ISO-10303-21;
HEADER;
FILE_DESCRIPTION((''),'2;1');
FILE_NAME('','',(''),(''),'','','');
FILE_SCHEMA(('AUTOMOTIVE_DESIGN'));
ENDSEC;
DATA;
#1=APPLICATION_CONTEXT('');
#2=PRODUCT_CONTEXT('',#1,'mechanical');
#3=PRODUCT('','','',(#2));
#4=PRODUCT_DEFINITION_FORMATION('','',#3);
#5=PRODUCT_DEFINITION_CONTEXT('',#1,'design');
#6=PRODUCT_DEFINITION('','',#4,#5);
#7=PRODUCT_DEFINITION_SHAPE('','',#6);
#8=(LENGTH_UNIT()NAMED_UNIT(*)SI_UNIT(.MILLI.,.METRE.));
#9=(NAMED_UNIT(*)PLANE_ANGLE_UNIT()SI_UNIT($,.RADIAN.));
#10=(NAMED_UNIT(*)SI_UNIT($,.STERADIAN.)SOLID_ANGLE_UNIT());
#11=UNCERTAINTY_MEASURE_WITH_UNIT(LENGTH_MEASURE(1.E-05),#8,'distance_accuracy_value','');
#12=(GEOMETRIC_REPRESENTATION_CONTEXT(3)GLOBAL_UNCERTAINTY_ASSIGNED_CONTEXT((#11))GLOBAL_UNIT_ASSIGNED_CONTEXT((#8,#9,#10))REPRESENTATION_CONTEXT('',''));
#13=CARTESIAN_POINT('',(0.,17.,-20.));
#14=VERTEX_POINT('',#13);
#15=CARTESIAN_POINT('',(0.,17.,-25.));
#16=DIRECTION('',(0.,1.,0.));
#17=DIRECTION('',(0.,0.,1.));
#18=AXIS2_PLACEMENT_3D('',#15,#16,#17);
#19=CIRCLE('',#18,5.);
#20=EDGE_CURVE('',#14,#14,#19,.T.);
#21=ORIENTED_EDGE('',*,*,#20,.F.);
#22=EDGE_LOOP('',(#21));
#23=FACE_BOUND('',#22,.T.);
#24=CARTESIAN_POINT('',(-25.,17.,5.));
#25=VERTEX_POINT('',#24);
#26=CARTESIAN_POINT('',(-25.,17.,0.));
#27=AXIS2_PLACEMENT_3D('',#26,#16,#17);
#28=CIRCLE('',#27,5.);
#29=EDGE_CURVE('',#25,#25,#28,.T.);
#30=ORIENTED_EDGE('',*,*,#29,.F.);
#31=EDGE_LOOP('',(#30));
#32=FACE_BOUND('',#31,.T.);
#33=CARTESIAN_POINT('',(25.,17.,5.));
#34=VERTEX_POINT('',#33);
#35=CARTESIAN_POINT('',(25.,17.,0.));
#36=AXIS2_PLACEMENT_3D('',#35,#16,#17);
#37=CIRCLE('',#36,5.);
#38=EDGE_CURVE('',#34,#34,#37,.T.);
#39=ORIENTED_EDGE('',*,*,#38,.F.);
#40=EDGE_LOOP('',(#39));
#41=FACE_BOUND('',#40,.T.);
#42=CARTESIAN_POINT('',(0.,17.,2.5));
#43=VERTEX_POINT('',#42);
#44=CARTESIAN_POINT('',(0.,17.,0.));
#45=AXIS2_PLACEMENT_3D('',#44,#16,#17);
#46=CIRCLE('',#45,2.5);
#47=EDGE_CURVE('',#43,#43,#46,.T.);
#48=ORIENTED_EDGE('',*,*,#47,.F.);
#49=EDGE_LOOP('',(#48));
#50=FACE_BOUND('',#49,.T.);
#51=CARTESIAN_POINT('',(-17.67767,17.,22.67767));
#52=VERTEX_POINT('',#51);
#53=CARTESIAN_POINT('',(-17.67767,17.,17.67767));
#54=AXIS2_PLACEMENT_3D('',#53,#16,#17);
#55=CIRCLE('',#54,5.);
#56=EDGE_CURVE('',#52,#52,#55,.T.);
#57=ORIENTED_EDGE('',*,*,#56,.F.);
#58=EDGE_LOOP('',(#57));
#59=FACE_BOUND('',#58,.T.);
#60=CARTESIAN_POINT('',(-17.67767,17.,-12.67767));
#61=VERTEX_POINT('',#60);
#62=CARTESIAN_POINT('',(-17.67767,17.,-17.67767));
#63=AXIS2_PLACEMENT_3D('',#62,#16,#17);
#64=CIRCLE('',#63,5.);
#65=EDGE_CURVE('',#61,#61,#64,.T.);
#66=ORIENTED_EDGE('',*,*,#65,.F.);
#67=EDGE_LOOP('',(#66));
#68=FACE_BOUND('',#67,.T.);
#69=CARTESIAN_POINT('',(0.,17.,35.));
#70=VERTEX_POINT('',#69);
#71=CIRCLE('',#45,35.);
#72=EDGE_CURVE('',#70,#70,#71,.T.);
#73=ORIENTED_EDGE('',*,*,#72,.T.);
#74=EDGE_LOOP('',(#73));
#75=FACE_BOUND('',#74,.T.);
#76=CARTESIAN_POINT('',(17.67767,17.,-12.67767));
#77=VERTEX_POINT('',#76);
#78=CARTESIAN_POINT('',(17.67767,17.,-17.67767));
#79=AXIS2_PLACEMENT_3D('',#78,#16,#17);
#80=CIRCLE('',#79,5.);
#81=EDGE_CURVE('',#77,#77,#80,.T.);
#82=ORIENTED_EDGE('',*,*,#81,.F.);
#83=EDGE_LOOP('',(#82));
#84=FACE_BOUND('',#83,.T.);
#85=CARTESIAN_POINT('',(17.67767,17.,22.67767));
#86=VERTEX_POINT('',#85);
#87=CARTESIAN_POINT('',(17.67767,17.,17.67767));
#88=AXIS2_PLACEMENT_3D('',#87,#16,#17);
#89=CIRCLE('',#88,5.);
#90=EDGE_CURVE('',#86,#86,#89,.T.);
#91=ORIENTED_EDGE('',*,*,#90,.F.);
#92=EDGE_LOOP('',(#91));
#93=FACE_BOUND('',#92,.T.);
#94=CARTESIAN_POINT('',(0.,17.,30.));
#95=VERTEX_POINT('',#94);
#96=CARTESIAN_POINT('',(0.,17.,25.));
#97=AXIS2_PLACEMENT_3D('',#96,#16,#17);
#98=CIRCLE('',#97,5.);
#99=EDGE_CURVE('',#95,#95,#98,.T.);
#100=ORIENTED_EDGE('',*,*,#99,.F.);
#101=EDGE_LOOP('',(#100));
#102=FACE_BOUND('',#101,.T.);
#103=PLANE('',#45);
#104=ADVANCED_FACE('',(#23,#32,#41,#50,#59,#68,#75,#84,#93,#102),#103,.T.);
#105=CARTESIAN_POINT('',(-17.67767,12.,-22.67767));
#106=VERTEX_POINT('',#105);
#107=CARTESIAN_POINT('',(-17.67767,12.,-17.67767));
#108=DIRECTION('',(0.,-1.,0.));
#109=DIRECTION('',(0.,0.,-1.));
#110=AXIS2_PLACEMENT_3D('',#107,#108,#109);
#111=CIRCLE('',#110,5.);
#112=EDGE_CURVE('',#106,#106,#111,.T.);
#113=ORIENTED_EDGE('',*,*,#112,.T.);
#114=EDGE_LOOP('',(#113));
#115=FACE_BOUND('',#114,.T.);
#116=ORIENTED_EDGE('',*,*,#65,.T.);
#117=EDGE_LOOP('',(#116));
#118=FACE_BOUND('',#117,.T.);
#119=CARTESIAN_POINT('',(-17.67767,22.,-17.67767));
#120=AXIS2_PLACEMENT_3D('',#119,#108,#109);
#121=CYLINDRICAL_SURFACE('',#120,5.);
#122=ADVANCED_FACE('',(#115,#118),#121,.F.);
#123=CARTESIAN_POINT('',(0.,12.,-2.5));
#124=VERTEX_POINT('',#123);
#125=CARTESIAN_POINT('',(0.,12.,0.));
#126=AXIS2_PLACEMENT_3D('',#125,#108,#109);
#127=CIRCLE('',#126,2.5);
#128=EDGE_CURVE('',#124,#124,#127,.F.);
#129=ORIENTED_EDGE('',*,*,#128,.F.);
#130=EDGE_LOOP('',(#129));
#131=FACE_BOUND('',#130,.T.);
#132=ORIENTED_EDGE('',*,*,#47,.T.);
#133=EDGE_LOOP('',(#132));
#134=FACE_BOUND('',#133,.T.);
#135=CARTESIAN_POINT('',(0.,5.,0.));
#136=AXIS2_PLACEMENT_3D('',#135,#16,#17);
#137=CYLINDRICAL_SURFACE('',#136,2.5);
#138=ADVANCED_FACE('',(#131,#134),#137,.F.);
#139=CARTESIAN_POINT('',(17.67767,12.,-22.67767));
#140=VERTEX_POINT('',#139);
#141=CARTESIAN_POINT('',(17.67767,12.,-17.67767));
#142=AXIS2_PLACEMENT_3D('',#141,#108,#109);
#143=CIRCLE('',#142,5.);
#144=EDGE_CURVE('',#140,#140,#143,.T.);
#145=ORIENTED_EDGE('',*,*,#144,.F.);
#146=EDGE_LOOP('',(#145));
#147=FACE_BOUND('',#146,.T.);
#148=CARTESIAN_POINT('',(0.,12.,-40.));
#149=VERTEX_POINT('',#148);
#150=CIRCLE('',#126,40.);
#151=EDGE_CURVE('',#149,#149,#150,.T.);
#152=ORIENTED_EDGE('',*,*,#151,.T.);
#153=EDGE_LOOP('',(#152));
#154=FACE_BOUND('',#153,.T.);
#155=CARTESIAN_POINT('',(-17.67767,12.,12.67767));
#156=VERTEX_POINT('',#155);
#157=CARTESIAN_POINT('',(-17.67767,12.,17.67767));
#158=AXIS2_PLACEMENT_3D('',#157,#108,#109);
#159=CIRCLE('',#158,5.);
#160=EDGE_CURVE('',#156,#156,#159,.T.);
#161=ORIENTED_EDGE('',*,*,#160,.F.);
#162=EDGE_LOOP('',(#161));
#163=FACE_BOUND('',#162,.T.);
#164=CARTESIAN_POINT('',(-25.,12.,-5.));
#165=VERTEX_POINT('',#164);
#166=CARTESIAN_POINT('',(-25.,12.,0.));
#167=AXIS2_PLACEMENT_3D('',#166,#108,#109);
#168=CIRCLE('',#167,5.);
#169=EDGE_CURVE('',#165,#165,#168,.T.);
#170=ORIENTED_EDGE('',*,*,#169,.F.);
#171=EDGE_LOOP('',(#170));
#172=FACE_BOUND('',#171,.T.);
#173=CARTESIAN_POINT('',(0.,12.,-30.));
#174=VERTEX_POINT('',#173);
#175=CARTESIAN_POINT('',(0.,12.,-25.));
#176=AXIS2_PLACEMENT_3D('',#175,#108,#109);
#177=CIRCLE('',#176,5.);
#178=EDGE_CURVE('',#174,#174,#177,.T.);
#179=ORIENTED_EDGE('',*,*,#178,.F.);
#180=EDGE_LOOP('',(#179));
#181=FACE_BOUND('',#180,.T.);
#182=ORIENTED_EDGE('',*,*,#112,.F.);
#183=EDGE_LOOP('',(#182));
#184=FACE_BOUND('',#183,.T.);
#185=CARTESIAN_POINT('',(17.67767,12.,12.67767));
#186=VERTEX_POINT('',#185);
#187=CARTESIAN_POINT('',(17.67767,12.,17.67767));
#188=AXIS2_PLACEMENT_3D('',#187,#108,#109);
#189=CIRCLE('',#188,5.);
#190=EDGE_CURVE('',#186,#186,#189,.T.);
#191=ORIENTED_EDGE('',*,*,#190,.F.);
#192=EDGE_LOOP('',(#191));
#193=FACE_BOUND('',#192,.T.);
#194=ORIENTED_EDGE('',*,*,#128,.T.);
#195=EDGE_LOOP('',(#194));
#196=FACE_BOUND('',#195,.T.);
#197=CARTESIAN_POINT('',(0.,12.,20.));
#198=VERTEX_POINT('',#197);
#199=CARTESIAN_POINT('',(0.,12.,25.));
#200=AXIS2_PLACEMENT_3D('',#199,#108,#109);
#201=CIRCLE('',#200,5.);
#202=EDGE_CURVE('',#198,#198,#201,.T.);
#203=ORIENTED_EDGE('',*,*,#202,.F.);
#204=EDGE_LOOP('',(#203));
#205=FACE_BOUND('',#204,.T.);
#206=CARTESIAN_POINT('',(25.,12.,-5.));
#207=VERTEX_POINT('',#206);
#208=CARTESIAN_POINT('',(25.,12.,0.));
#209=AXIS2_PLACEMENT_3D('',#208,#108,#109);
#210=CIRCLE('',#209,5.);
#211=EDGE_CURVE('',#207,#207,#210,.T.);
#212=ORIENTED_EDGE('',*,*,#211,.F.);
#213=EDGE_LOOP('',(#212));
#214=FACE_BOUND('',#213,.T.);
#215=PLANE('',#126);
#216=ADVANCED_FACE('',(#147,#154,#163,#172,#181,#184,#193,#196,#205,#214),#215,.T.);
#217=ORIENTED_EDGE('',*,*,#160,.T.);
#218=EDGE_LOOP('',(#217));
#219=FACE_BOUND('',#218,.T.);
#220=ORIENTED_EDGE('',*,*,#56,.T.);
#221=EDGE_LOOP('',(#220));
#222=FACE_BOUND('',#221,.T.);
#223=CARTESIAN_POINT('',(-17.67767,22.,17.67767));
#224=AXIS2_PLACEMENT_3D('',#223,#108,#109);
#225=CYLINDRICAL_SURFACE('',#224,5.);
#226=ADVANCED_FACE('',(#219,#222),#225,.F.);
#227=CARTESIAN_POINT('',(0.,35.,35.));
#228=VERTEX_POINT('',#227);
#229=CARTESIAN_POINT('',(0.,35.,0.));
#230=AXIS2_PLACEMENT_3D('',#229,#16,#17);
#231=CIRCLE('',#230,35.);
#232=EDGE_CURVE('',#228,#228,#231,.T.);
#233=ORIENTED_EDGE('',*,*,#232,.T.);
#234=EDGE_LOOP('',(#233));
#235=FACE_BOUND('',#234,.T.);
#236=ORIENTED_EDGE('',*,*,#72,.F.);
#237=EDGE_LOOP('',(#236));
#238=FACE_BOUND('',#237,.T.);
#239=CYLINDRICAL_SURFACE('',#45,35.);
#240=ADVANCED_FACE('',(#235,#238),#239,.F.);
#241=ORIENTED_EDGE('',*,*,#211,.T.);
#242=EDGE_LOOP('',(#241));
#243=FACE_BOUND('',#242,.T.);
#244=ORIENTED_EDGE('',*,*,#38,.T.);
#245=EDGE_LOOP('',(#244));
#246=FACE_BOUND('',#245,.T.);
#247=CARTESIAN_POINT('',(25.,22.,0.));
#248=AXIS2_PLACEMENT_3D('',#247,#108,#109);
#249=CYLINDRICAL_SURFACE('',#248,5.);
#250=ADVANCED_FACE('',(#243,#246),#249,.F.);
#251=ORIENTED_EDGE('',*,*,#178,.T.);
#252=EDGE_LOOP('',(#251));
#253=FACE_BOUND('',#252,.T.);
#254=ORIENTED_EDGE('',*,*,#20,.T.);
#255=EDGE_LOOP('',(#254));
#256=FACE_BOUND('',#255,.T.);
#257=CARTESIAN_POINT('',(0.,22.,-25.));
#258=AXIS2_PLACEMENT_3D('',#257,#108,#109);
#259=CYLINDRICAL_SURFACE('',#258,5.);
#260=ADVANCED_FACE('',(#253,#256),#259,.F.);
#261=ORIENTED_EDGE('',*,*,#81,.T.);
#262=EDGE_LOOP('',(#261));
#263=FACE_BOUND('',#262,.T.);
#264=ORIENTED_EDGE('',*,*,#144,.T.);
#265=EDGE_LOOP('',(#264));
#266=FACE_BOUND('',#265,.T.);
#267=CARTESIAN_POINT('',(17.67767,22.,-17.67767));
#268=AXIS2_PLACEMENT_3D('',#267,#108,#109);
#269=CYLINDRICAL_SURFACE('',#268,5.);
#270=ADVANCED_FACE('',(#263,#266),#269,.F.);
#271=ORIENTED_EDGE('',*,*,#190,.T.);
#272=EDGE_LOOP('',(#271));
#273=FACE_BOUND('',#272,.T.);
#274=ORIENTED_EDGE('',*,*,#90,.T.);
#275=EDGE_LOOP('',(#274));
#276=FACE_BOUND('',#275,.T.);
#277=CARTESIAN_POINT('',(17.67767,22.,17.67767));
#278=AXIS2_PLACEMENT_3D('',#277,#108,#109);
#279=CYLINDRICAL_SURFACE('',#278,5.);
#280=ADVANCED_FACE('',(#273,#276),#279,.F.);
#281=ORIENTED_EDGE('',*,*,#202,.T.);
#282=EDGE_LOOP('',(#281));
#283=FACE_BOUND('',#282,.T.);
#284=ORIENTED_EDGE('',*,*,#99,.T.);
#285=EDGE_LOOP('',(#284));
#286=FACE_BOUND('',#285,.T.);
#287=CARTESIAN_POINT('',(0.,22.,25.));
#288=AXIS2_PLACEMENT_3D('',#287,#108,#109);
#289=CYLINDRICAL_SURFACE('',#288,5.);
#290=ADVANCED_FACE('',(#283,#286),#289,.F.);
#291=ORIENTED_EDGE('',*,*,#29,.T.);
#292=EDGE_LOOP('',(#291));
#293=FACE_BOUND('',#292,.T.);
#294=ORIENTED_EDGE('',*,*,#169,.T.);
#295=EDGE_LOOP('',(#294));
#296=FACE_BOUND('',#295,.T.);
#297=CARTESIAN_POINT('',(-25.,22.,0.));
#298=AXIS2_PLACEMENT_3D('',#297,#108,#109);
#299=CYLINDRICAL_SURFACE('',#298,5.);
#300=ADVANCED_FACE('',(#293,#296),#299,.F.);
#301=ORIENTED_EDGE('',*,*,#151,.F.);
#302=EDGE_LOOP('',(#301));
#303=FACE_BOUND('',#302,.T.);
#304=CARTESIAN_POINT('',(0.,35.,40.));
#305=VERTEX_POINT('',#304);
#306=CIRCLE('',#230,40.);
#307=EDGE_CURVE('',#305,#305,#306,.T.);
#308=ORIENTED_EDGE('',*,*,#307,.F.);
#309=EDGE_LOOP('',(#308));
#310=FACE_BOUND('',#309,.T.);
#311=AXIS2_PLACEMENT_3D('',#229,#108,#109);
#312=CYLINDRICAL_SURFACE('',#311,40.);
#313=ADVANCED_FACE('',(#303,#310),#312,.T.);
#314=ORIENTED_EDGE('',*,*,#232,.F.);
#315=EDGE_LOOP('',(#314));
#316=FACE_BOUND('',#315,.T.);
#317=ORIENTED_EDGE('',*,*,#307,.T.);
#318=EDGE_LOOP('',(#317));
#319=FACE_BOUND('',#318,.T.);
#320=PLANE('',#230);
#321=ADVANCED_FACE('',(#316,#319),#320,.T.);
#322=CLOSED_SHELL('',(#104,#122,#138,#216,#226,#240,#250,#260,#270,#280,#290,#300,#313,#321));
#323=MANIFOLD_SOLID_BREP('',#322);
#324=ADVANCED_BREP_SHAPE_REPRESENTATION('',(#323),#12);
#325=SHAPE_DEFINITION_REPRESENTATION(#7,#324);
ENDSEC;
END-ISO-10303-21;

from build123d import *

# Parameters (mm, degrees)
ESQUISSE1_R             = 40
BOSS_EXTRU_2_DEPTH      = 35
ESQUISSE4_R             = 35
ENL_V_MAT_EXTRU_2_DEPTH = 18
ESQUISSE6_R             = 2.5
ENL_V_MAT_EXTRU_4_DEPTH = 12
ESQUISSE5_R             = 40
ENL_V_MAT_EXTRU_5_DEPTH = 12
ESQUISSE7_R             = 5
ENL_V_MAT_EXTRU_7_DEPTH = 10


with BuildPart() as part:
    # Esquisse1 → Boss.-Extru.2 (new body)
    with BuildSketch(Plane(origin=(0, 0, 0), x_dir=(1, 0, 0), z_dir=(0, 1, 0))):
        with Locations(Location((0, 0, 0), (0, 0, 270))):
            Circle(ESQUISSE1_R)
    extrude(amount=BOSS_EXTRU_2_DEPTH)

    # Esquisse4 → Enlèv. mat.-Extru.2 (cut)
    with BuildSketch(Plane(origin=(0, 35, 0), x_dir=(1, 0, 0), z_dir=(0, 1, 0))):
        with Locations(Location((0, 0, 0), (0, 0, 270))):
            Circle(ESQUISSE4_R)
    extrude(amount=-ENL_V_MAT_EXTRU_2_DEPTH, mode=Mode.SUBTRACT)

    # Esquisse6 → Enlèv. mat.-Extru.4 (cut)
    with BuildSketch(Plane(origin=(0, 17, 0), x_dir=(1, 0, 0), z_dir=(0, 1, 0))):
        with Locations(Location((0, 0, 0), (0, 0, 270))):
            Circle(ESQUISSE6_R)
    extrude(amount=-ENL_V_MAT_EXTRU_4_DEPTH, mode=Mode.SUBTRACT)

    # Esquisse5 → Enlèv. mat.-Extru.5 (cut)
    with BuildSketch(Plane(origin=(0, 0, 0), x_dir=(-1, 0, 0), z_dir=(0, -1, 0))):
        with Locations(Location((0, 0, 0), (0, 0, 90))):
            Circle(ESQUISSE5_R)
    extrude(amount=-ENL_V_MAT_EXTRU_5_DEPTH, mode=Mode.SUBTRACT)

    # Esquisse7 → Enlèv. mat.-Extru.7 (cut)
    with BuildSketch(Plane.XZ.offset(-12)):
        with Locations(Location((-25, 0, 0), (0, 0, 270))):
            Circle(ESQUISSE7_R)
        with Locations(Location((-17.67766953, 17.67766953, 0), (0, 0, 270))):
            Circle(ESQUISSE7_R)
        with Locations(Location((0, 25, 0), (0, 0, 270))):
            Circle(ESQUISSE7_R)
        with Locations(Location((17.67766953, 17.67766953, 0), (0, 0, 270))):
            Circle(ESQUISSE7_R)
        with Locations(Location((25, 0, 0), (0, 0, 270))):
            Circle(ESQUISSE7_R)
        with Locations(Location((17.67766953, -17.67766953, 0), (0, 0, 270))):
            Circle(ESQUISSE7_R)
        with Locations(Location((0, -25, 0), (0, 0, 270))):
            Circle(ESQUISSE7_R)
        with Locations(Location((-17.67766953, -17.67766953, 0), (0, 0, 270))):
            Circle(ESQUISSE7_R)
    extrude(amount=-ENL_V_MAT_EXTRU_7_DEPTH, mode=Mode.SUBTRACT)


solid = part.part
